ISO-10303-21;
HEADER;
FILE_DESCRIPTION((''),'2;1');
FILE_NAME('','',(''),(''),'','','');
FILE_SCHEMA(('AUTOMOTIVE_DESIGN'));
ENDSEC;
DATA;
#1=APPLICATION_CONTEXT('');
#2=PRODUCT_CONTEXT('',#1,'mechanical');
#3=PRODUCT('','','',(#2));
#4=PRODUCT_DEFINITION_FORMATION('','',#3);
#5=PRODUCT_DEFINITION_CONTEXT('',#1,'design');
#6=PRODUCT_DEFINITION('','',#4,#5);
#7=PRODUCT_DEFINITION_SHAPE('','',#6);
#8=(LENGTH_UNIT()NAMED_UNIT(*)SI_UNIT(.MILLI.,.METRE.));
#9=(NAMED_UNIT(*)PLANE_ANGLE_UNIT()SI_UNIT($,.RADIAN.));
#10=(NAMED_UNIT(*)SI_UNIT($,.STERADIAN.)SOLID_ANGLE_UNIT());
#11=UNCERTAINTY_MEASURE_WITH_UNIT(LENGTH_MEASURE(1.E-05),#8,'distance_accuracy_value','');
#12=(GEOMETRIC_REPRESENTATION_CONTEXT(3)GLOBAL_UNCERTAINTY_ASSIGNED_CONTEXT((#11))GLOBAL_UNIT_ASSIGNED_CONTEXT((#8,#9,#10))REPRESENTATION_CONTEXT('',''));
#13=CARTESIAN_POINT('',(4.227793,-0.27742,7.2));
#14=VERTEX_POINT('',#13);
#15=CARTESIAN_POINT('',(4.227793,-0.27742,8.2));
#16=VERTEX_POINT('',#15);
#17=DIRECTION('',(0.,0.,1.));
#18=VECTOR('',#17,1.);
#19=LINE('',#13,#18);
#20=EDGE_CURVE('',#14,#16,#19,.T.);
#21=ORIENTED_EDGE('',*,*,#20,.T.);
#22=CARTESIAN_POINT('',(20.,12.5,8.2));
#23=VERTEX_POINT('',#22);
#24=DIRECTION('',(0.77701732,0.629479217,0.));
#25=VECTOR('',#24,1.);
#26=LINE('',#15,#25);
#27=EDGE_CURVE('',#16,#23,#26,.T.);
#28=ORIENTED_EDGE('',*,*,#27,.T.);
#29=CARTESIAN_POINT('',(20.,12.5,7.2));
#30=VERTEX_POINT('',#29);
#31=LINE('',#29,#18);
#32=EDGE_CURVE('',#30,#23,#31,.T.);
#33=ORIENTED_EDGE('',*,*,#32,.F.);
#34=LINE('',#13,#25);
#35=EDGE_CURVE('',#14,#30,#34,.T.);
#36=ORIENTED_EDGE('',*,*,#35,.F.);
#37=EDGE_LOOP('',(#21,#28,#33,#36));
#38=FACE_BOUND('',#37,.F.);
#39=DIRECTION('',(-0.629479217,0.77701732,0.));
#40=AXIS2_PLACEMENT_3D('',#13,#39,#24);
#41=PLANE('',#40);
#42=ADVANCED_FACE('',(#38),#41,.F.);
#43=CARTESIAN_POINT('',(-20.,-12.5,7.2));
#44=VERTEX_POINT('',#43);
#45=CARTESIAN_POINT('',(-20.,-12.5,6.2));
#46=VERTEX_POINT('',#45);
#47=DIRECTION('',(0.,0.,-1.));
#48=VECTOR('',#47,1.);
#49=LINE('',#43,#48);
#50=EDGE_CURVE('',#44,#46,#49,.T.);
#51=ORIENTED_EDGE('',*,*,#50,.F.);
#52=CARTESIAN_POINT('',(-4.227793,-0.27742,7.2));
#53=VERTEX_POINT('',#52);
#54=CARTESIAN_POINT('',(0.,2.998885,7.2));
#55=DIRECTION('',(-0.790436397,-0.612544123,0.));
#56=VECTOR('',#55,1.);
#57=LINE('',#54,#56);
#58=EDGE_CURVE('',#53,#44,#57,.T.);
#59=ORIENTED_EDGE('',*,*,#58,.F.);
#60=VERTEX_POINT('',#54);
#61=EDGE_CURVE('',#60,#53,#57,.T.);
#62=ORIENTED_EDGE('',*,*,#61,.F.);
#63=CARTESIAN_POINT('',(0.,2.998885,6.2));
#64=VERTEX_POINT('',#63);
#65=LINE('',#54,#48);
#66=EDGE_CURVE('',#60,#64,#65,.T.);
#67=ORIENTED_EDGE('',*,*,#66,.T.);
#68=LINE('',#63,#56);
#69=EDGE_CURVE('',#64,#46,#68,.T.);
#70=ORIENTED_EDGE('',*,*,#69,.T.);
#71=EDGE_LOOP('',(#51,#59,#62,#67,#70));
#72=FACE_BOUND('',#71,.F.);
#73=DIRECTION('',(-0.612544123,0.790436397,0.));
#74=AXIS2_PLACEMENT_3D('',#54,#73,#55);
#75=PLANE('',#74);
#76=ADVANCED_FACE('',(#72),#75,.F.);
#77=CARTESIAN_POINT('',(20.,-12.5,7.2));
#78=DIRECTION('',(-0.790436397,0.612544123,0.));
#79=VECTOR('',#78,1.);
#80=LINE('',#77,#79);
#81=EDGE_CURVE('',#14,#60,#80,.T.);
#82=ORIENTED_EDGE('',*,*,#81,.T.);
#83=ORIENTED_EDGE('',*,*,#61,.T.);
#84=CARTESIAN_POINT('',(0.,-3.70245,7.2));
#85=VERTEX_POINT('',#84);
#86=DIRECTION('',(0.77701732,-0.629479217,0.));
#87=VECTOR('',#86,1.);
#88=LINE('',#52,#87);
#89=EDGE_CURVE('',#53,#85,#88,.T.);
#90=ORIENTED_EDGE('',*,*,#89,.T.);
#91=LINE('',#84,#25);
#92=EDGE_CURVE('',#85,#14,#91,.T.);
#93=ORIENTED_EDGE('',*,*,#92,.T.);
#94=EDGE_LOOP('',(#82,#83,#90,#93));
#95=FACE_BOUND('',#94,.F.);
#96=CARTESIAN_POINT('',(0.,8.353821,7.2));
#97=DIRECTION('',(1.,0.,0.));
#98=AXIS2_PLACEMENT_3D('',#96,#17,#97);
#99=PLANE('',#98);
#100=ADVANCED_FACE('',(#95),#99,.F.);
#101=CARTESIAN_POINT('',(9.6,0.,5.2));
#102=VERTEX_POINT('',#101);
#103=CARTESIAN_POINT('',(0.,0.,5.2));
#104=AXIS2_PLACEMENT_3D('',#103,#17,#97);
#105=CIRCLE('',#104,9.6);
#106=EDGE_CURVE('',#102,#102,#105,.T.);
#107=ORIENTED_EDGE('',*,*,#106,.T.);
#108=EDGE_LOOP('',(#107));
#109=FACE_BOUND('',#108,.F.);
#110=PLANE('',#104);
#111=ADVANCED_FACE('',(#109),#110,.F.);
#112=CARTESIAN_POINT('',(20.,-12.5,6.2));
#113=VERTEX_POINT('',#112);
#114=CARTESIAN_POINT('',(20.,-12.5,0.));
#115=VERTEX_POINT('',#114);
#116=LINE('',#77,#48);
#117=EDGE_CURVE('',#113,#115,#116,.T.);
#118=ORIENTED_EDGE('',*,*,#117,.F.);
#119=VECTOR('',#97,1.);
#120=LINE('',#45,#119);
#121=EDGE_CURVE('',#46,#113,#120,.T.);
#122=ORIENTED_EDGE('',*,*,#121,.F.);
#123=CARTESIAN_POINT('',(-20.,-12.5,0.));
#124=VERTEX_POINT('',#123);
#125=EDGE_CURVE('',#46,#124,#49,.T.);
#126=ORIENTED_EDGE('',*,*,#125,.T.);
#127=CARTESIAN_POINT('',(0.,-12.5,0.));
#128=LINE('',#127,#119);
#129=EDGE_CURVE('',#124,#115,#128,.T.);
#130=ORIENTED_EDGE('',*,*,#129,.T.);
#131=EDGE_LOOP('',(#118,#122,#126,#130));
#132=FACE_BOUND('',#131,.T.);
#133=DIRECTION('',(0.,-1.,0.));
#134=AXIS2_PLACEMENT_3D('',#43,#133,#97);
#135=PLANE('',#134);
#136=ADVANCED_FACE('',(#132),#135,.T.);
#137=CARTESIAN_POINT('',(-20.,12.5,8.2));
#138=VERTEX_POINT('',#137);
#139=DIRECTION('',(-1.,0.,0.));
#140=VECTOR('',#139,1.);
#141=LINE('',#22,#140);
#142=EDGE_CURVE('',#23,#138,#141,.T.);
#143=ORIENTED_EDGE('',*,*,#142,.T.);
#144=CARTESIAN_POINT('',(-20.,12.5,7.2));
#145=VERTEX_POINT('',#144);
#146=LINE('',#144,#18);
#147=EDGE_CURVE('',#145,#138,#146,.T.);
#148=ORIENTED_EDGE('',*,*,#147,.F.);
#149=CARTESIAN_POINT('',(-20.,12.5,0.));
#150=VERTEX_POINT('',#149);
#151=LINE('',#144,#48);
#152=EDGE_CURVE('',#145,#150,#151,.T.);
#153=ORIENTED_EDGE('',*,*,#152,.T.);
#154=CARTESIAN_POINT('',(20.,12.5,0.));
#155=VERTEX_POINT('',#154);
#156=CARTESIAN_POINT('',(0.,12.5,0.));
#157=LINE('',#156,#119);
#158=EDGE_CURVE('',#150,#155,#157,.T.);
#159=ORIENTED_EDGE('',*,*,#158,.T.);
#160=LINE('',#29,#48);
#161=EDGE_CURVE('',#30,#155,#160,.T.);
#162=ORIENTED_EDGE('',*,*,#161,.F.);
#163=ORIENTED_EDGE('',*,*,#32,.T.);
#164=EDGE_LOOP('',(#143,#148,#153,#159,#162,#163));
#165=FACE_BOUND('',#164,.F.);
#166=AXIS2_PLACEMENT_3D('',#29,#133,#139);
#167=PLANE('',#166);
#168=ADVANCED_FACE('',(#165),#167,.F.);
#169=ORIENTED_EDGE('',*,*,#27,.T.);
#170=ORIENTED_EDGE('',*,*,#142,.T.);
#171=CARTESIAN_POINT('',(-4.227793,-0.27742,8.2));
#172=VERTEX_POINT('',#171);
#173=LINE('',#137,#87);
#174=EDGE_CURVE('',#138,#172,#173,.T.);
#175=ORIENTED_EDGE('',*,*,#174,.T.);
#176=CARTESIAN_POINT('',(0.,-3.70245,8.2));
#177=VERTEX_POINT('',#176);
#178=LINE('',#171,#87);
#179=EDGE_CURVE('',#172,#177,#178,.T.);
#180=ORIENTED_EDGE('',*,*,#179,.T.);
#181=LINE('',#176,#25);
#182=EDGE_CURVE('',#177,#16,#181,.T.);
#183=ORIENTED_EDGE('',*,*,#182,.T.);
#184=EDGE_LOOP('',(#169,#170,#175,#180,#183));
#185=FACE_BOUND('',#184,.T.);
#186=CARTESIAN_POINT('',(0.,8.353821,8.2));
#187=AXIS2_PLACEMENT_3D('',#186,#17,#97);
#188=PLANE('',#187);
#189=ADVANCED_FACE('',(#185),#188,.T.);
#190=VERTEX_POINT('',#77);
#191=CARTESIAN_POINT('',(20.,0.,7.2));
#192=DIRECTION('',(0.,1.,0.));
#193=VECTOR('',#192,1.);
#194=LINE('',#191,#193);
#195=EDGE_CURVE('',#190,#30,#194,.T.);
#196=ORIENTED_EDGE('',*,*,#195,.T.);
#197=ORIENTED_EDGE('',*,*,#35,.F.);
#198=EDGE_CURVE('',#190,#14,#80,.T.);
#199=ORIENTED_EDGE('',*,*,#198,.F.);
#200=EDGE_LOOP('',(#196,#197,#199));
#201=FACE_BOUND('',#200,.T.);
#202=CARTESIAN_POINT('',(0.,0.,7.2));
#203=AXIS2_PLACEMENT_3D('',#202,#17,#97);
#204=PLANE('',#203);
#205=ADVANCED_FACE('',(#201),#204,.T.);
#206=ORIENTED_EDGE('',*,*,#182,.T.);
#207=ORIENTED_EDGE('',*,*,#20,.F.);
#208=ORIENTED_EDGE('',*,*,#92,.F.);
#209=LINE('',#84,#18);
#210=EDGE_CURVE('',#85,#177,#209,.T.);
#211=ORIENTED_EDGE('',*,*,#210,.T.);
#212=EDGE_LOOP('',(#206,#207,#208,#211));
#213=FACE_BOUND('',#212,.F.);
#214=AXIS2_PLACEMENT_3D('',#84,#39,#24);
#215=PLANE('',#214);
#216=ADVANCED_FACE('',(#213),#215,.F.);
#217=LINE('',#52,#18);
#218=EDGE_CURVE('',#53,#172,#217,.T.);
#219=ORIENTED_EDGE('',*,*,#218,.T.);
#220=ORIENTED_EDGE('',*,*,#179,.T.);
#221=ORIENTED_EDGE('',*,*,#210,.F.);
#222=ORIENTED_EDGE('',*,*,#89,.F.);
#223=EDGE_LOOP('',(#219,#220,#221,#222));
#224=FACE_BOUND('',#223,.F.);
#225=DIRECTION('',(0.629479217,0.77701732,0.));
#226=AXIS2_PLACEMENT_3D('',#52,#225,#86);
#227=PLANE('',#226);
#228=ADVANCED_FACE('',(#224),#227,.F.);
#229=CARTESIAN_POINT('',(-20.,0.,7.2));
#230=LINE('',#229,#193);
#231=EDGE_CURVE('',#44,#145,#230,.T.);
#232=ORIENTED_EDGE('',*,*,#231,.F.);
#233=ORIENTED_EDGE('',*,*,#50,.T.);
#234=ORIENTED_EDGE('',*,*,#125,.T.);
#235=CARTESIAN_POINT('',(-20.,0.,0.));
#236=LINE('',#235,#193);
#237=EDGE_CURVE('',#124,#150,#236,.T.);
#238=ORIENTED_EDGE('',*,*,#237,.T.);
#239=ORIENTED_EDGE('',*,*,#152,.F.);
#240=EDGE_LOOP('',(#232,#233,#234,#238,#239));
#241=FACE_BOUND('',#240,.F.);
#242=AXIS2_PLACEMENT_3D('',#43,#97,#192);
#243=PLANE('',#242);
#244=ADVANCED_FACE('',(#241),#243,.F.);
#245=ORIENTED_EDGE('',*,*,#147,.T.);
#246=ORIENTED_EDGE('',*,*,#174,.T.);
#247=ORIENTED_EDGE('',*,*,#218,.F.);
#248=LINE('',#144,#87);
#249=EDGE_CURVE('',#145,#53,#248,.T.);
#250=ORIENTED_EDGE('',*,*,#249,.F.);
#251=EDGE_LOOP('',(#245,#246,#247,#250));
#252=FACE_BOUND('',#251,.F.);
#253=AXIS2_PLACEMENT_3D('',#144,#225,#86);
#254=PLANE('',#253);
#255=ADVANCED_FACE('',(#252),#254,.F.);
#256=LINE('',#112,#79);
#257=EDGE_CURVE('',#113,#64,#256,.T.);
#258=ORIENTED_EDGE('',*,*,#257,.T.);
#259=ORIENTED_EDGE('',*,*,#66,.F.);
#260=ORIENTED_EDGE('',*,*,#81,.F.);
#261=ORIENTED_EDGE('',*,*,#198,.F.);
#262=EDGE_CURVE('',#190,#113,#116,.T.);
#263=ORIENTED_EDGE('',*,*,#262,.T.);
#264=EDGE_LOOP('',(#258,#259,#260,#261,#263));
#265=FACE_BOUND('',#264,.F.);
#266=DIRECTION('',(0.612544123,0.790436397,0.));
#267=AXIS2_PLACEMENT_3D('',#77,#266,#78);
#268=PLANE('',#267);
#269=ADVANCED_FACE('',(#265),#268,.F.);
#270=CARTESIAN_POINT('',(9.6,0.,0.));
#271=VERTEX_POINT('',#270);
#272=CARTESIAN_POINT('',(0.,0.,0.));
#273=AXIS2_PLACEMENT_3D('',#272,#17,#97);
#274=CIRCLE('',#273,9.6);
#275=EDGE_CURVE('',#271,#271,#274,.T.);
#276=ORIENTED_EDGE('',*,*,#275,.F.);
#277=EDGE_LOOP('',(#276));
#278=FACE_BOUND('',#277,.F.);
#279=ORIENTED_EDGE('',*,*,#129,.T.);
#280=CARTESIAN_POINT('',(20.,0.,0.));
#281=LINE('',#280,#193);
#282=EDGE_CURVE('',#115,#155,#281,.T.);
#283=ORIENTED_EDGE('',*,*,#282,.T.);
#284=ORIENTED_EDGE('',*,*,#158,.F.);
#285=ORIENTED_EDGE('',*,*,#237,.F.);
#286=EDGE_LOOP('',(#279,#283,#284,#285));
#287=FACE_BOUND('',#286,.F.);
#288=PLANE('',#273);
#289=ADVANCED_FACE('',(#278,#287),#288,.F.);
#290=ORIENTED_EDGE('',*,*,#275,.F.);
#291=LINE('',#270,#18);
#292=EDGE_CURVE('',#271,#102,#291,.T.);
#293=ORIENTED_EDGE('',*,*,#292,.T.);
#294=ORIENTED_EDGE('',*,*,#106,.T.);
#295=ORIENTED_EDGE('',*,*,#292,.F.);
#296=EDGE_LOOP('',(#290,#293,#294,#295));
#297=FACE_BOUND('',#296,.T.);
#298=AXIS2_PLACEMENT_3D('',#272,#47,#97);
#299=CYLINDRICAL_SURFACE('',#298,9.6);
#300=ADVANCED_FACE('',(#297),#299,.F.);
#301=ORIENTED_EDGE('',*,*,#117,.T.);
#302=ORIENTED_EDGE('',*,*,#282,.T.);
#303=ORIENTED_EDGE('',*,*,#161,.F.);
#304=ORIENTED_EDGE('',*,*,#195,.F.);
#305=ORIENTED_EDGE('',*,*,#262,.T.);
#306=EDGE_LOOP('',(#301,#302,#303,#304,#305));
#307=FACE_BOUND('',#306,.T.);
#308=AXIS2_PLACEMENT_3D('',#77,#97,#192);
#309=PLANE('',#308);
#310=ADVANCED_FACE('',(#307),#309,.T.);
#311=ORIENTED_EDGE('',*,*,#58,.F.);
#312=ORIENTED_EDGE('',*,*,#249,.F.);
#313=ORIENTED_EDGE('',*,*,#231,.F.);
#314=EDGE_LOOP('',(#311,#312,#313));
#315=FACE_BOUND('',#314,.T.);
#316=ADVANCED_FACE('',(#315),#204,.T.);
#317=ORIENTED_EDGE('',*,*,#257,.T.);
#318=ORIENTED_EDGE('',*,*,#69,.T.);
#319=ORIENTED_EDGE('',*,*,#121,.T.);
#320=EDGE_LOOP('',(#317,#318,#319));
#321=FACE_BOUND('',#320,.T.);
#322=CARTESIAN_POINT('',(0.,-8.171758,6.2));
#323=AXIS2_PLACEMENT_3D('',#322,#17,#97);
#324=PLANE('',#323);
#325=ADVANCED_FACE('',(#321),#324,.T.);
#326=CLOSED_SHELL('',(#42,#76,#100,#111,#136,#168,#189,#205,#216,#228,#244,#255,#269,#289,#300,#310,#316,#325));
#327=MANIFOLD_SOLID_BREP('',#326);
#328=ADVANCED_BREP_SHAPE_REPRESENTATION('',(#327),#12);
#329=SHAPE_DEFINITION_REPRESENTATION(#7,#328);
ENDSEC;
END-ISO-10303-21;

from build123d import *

# Parameters (mm, degrees)
F0_R     = 11.6
F0_R_2   = 9.6
F1_DEPTH = 5.2
F2_R     = 11.6
F2_R_2   = 9.6
F3_DEPTH = 2
F4_W     = 40
F4_H     = 25
F4_R     = 11.6
F5_DEPTH = 7.2
F7_DEPTH = 1
F9_DEPTH = 1


with BuildPart() as f1:
    # F0 (on Top) → F1 (new body)
    with BuildSketch(Plane.XY):
        Circle(F0_R)
        Circle(F0_R_2, mode=Mode.SUBTRACT)
    extrude(amount=F1_DEPTH)

    # F2 (on face) → F3 (join)
    with BuildSketch(Plane.XY.offset(5.2)):
        Circle(F2_R)
        Circle(F2_R_2, mode=Mode.SUBTRACT)
        Circle(F2_R_2)
    extrude(amount=F3_DEPTH)

    # F4 (on face) → F5 (join)
    with BuildSketch(Plane.XY.offset(7.2)):
        Rectangle(F4_W, F4_H)
        Circle(F4_R, mode=Mode.SUBTRACT)
    extrude(amount=-F5_DEPTH)

    # F6 (on face) → F7 (cut)
    with BuildSketch(Plane.XY.offset(7.2)):
        Polygon((0, 2.9988845345), (-20, -12.5), (20, -12.5), align=None)
    extrude(amount=-F7_DEPTH, mode=Mode.SUBTRACT)

    # F8 (on face) → F9 (join)
    with BuildSketch(Plane.XY.offset(7.2)):
        Polygon((20, 12.5), (-20, 12.5), (-4.2277933686, -0.2774195283), (0, 2.9988845345), (4.2277933686, -0.2774195283), align=None)
        Polygon((0, 2.9988845345), (-4.2277933686, -0.2774195283), (0, -3.702450078), (4.2277933686, -0.2774195283), align=None)
    extrude(amount=F9_DEPTH)


solid = f1.part
